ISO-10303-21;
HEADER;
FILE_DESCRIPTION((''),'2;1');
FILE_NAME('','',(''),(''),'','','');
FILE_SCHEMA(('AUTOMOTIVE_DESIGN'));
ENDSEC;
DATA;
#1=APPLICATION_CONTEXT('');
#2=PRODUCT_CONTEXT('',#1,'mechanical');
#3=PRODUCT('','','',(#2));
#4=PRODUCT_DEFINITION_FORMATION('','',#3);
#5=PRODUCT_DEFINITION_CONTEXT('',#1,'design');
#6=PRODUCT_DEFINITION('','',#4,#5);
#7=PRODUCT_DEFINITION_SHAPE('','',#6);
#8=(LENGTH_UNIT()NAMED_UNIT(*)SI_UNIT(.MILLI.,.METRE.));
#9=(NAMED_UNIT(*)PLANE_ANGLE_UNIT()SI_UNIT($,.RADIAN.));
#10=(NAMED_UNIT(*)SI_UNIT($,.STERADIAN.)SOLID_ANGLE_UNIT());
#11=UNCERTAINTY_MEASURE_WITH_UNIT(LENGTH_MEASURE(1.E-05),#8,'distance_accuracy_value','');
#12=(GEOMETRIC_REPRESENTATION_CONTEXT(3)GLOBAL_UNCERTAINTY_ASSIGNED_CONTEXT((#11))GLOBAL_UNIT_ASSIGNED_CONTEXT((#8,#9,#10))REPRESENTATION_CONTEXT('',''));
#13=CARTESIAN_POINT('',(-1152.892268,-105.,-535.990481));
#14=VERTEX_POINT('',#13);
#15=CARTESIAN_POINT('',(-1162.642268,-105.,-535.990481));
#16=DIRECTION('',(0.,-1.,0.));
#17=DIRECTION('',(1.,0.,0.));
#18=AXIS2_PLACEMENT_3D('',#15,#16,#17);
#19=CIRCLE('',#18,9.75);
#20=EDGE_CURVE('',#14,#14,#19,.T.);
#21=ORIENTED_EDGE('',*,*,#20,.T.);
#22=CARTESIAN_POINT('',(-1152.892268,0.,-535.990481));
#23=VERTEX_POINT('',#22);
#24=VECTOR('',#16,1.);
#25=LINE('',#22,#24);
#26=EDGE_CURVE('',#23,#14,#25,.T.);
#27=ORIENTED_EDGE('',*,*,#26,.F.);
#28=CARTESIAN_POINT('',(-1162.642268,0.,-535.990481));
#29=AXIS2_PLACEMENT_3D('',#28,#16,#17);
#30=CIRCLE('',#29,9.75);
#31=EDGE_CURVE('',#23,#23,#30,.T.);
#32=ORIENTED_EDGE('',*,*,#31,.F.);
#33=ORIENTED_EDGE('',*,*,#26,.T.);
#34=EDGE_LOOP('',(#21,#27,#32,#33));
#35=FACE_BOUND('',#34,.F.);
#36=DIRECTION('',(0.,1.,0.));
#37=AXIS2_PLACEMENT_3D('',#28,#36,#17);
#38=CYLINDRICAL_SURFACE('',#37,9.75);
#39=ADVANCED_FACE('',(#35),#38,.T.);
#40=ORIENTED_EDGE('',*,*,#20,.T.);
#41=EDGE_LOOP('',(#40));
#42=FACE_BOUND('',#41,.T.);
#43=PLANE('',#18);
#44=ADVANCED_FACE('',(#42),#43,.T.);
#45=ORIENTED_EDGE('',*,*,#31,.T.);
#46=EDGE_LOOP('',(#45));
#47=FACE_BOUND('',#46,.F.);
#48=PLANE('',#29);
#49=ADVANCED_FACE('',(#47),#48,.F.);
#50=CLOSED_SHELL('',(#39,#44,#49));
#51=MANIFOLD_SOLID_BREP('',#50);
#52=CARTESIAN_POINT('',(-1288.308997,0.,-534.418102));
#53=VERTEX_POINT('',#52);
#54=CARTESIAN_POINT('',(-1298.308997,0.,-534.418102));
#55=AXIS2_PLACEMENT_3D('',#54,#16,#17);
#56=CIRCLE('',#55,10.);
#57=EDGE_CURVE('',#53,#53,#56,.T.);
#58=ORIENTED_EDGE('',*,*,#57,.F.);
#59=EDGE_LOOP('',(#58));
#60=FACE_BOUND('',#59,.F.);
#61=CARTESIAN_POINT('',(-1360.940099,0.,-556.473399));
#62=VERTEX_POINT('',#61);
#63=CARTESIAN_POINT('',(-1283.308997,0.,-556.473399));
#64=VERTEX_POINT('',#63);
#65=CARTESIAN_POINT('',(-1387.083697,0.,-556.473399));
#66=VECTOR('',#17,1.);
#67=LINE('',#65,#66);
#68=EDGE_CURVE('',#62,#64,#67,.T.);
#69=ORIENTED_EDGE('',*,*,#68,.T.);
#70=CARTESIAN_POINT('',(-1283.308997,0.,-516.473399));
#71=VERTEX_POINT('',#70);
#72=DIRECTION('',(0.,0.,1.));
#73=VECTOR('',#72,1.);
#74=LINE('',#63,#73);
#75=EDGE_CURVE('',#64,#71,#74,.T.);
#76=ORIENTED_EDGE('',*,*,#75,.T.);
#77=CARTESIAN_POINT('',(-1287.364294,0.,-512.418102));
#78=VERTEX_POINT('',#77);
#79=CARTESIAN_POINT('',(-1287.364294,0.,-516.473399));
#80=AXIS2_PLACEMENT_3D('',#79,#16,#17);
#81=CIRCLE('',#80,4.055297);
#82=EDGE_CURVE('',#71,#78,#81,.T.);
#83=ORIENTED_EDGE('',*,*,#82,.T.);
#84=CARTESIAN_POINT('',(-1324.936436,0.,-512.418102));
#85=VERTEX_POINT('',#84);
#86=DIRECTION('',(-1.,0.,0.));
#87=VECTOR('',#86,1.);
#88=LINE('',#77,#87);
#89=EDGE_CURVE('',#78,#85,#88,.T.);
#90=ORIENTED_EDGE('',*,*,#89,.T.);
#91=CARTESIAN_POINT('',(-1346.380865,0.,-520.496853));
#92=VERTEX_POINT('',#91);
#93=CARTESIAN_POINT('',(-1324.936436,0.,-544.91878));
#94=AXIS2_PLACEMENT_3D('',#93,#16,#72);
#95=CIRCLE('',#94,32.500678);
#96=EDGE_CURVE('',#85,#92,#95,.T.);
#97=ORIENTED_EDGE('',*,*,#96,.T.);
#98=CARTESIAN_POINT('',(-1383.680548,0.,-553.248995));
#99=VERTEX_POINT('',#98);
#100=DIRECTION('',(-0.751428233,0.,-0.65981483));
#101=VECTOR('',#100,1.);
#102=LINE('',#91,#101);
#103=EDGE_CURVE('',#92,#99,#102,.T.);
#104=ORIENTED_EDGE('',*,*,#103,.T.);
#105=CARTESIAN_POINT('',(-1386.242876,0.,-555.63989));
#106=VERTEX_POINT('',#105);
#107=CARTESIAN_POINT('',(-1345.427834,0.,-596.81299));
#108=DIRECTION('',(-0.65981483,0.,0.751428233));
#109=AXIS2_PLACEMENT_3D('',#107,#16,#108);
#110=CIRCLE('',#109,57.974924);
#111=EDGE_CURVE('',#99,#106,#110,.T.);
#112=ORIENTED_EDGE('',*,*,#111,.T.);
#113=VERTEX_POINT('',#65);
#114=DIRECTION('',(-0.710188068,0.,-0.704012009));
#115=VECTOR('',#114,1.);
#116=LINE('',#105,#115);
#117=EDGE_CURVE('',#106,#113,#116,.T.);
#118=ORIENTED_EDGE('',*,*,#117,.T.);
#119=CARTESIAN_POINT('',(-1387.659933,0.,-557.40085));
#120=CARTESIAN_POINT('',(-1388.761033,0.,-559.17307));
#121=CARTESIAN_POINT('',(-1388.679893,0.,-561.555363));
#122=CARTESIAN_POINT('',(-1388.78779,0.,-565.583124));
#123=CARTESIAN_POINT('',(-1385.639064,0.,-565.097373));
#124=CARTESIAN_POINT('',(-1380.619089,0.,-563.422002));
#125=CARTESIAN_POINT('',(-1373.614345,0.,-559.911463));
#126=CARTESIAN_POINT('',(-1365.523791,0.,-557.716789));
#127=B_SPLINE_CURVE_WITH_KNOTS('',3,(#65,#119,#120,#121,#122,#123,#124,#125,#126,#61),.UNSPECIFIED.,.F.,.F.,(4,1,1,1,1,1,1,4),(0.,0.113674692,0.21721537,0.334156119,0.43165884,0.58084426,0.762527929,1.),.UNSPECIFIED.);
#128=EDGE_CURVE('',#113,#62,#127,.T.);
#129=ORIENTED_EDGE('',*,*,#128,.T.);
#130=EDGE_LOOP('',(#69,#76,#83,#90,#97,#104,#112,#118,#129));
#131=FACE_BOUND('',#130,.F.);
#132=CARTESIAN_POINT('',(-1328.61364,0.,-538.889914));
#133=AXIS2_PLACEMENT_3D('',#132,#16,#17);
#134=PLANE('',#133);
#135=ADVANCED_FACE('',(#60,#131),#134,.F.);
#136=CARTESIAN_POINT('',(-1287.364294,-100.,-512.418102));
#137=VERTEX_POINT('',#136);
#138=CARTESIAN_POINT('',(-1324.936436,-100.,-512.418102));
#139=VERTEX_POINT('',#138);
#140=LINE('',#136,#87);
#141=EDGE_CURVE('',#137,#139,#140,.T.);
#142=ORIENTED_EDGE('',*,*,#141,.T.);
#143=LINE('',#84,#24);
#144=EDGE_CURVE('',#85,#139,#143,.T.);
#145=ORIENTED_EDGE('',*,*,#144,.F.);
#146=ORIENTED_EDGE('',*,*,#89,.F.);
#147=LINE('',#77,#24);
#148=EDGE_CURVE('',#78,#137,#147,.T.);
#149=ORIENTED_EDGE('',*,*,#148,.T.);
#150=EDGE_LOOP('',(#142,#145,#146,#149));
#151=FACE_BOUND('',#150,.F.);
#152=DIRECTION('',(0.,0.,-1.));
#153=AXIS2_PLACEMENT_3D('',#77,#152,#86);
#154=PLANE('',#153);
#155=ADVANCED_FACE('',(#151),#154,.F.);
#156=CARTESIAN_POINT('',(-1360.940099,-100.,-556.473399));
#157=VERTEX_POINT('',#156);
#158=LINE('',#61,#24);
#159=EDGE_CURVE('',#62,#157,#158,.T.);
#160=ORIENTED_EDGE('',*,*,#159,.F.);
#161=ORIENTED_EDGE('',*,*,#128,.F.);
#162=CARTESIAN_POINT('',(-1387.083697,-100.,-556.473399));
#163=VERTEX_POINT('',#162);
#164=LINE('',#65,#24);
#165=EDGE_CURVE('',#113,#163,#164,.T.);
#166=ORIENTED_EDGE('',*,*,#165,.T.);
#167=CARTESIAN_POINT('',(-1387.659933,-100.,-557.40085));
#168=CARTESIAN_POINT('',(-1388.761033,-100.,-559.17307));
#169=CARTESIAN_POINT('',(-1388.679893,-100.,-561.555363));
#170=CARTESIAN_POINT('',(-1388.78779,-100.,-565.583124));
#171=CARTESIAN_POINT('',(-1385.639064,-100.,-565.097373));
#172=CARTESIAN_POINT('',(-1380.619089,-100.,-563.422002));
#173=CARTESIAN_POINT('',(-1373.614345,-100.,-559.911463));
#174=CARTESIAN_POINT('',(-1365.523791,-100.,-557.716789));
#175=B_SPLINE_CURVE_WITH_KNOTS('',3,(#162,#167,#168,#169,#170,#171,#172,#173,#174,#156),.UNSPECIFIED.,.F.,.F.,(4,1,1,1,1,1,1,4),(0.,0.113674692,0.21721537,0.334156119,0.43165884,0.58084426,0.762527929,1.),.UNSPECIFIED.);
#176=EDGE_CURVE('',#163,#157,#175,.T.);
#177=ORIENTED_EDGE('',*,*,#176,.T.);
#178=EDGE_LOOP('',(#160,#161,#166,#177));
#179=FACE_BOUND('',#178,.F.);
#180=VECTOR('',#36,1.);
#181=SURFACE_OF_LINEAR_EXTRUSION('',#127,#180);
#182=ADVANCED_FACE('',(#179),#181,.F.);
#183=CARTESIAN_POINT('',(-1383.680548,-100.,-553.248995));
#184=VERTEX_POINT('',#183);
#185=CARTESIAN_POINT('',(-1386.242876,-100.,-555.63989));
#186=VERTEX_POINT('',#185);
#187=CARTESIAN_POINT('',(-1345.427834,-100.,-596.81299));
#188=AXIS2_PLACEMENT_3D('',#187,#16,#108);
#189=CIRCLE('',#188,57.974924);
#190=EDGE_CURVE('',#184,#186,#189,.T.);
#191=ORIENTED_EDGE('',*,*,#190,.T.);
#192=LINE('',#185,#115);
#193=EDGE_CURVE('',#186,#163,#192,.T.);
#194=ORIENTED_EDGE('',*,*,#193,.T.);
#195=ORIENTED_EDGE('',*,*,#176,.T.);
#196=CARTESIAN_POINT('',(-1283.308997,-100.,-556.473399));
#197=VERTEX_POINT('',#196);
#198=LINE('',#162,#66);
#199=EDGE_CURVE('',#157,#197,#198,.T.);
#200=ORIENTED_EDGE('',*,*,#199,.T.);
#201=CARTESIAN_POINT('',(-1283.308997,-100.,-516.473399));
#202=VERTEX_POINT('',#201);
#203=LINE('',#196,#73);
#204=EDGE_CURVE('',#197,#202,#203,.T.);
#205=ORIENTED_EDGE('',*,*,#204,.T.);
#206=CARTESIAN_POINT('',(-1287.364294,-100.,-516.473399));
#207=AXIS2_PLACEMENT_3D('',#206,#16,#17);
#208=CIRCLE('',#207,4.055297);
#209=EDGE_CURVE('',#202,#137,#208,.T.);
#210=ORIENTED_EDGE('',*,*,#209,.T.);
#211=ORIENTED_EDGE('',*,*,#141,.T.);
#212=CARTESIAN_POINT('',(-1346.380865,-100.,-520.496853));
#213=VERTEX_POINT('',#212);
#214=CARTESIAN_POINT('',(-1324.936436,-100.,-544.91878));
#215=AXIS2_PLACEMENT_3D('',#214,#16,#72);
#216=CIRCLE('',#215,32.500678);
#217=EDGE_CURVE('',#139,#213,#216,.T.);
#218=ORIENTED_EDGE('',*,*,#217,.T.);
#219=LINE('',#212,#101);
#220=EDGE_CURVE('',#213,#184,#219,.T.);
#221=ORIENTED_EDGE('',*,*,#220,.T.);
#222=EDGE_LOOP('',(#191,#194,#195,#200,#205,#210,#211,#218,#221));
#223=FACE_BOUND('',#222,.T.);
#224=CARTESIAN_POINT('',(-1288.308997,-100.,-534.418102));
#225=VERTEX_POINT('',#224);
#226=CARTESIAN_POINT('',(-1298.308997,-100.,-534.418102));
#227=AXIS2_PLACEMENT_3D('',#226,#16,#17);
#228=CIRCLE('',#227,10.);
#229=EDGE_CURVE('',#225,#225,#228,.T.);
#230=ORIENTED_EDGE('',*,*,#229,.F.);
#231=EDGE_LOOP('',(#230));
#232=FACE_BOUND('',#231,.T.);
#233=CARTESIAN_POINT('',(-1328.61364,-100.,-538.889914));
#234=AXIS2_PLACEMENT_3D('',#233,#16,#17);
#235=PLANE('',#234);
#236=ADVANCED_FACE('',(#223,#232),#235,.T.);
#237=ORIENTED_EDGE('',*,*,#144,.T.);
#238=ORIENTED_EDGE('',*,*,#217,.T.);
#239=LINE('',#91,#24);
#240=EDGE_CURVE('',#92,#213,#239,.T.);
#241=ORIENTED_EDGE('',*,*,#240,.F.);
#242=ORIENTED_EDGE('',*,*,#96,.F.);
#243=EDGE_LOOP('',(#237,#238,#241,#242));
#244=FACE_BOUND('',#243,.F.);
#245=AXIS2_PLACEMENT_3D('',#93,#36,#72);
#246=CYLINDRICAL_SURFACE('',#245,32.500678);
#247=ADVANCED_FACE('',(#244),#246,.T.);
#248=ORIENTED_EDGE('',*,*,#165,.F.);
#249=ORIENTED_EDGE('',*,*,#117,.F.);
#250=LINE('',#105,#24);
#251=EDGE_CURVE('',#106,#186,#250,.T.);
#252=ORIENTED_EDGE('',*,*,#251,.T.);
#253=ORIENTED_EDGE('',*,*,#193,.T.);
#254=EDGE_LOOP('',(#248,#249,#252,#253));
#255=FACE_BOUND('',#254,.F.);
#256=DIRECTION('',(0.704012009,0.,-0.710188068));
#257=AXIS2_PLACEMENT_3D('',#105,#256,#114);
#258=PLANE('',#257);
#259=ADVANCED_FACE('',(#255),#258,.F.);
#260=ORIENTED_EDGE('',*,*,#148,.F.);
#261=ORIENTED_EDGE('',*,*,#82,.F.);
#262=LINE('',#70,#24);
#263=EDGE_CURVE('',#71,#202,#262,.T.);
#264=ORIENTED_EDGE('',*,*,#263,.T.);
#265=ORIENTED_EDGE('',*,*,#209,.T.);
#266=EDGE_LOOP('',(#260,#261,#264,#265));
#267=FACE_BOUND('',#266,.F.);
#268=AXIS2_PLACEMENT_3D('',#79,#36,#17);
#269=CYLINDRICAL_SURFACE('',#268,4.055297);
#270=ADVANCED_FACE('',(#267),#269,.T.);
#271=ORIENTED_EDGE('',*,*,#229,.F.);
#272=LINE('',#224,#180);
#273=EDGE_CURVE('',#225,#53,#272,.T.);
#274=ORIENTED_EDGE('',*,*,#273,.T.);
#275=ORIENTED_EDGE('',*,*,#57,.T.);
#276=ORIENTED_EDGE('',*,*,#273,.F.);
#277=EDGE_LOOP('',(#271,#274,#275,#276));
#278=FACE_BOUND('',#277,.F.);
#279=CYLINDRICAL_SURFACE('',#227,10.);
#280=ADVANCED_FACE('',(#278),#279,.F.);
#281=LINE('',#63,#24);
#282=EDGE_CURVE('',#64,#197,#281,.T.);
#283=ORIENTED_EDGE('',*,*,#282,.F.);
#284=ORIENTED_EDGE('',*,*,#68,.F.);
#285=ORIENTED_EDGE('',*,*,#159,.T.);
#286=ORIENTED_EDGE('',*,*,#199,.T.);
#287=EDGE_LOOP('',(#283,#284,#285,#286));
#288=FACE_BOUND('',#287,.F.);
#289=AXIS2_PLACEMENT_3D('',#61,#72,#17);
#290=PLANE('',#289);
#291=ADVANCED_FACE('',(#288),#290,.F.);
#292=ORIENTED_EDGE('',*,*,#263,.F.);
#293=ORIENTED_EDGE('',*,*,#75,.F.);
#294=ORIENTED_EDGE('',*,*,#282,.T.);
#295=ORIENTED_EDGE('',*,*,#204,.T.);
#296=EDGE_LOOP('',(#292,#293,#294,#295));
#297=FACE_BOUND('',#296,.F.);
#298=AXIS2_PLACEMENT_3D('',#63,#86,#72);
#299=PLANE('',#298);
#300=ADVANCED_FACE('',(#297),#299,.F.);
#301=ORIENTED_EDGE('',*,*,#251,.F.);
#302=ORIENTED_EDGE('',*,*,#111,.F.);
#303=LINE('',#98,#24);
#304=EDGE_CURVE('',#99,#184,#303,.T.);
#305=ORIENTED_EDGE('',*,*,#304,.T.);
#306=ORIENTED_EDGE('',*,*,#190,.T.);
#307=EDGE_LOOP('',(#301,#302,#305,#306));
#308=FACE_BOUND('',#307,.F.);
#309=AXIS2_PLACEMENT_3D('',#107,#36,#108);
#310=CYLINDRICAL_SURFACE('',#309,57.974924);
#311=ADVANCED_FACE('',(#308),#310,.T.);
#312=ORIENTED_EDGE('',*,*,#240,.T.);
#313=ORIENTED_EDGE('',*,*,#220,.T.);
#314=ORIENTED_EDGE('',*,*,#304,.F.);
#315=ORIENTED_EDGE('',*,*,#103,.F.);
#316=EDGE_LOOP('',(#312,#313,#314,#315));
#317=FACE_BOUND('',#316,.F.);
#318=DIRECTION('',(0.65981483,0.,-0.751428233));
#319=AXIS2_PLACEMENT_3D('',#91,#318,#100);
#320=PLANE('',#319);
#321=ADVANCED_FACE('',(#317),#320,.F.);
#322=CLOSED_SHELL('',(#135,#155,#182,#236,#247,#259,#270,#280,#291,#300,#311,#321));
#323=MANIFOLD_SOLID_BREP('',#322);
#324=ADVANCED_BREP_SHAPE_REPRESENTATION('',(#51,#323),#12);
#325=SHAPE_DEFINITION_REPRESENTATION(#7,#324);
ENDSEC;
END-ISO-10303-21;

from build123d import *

# Parameters (mm, degrees)
F1_DEPTH = 100
F2_R     = 10
F3_DEPTH = 200
F4_R     = 9.75
F5_DEPTH = 105


with BuildPart() as f1:
    # F0 (on Front) → F1 (new body)
    with BuildSketch(Plane.XZ):
        with BuildLine():
            Line((-1287.3642943979, -512.4181020195), (-1324.9364355903, -512.4181020195))
            ThreePointArc((-1324.9364355903, -512.4181020195), (-1336.394290745, -514.5047762171), (-1346.3808651818, -520.496853067))
            Line((-1346.3808651818, -520.496853067), (-1383.6805482123, -553.2489948482))
            ThreePointArc((-1383.6805482123, -553.2489948482), (-1384.9797824248, -554.4250767245), (-1386.2428762738, -555.6398903098))
            Line((-1386.2428762738, -555.6398903098), (-1387.0836972932, -556.4733992374))
            Line((-1387.0836972932, -556.4733992374), (-1360.9400987625, -556.4733992374))
            Line((-1360.9400987625, -556.4733992374), (-1283.3089971801, -556.4733992374))
            Line((-1283.3089971801, -556.4733992374), (-1283.3089971801, -516.4733992374))
            ThreePointArc((-1283.3089971801, -516.4733992374), (-1284.4967662355, -513.6058710749), (-1287.3642943979, -512.4181020195))
        make_face()
        with BuildLine():
            add(Edge.make_bspline(
                [(-1387.0836972932, -556.4733992374), (-1387.6599327637, -557.4008498398), (-1388.7610327475, -559.1730695237), (-1388.6798929257, -561.5553628145), (-1388.7877901056, -565.5831243314), (-1385.6390637514, -565.097373418), (-1380.6190888609, -563.4220024101), (-1373.6143452981, -559.9114625079), (-1365.5237906543, -557.7167885538), (-1360.9400987625, -556.4733992374)],
                knots=[0, 0, 0, 0, 0.1136746916, 0.2172153702, 0.334156119, 0.4316588403, 0.5808442599, 0.762527929, 1, 1, 1, 1], degree=3))
            Line((-1360.9400987625, -556.4733992374), (-1387.0836972932, -556.4733992374))
        make_face()
    extrude(amount=F1_DEPTH)

    # F2 (on face) → F3 (cut)
    with BuildSketch(Plane.XZ.offset(100)):
        with Locations((-1298.3089971801, -534.4181020195)):
            Circle(F2_R)
    extrude(amount=-F3_DEPTH, mode=Mode.SUBTRACT)


with BuildPart() as f5:
    # F4 (on Front) → F5 (new body)
    with BuildSketch(Plane.XZ):
        with Locations((-1162.6422676173, -535.9904806722)):
            Circle(F4_R)
    extrude(amount=F5_DEPTH)


solid = Compound([f1.part, f5.part])
